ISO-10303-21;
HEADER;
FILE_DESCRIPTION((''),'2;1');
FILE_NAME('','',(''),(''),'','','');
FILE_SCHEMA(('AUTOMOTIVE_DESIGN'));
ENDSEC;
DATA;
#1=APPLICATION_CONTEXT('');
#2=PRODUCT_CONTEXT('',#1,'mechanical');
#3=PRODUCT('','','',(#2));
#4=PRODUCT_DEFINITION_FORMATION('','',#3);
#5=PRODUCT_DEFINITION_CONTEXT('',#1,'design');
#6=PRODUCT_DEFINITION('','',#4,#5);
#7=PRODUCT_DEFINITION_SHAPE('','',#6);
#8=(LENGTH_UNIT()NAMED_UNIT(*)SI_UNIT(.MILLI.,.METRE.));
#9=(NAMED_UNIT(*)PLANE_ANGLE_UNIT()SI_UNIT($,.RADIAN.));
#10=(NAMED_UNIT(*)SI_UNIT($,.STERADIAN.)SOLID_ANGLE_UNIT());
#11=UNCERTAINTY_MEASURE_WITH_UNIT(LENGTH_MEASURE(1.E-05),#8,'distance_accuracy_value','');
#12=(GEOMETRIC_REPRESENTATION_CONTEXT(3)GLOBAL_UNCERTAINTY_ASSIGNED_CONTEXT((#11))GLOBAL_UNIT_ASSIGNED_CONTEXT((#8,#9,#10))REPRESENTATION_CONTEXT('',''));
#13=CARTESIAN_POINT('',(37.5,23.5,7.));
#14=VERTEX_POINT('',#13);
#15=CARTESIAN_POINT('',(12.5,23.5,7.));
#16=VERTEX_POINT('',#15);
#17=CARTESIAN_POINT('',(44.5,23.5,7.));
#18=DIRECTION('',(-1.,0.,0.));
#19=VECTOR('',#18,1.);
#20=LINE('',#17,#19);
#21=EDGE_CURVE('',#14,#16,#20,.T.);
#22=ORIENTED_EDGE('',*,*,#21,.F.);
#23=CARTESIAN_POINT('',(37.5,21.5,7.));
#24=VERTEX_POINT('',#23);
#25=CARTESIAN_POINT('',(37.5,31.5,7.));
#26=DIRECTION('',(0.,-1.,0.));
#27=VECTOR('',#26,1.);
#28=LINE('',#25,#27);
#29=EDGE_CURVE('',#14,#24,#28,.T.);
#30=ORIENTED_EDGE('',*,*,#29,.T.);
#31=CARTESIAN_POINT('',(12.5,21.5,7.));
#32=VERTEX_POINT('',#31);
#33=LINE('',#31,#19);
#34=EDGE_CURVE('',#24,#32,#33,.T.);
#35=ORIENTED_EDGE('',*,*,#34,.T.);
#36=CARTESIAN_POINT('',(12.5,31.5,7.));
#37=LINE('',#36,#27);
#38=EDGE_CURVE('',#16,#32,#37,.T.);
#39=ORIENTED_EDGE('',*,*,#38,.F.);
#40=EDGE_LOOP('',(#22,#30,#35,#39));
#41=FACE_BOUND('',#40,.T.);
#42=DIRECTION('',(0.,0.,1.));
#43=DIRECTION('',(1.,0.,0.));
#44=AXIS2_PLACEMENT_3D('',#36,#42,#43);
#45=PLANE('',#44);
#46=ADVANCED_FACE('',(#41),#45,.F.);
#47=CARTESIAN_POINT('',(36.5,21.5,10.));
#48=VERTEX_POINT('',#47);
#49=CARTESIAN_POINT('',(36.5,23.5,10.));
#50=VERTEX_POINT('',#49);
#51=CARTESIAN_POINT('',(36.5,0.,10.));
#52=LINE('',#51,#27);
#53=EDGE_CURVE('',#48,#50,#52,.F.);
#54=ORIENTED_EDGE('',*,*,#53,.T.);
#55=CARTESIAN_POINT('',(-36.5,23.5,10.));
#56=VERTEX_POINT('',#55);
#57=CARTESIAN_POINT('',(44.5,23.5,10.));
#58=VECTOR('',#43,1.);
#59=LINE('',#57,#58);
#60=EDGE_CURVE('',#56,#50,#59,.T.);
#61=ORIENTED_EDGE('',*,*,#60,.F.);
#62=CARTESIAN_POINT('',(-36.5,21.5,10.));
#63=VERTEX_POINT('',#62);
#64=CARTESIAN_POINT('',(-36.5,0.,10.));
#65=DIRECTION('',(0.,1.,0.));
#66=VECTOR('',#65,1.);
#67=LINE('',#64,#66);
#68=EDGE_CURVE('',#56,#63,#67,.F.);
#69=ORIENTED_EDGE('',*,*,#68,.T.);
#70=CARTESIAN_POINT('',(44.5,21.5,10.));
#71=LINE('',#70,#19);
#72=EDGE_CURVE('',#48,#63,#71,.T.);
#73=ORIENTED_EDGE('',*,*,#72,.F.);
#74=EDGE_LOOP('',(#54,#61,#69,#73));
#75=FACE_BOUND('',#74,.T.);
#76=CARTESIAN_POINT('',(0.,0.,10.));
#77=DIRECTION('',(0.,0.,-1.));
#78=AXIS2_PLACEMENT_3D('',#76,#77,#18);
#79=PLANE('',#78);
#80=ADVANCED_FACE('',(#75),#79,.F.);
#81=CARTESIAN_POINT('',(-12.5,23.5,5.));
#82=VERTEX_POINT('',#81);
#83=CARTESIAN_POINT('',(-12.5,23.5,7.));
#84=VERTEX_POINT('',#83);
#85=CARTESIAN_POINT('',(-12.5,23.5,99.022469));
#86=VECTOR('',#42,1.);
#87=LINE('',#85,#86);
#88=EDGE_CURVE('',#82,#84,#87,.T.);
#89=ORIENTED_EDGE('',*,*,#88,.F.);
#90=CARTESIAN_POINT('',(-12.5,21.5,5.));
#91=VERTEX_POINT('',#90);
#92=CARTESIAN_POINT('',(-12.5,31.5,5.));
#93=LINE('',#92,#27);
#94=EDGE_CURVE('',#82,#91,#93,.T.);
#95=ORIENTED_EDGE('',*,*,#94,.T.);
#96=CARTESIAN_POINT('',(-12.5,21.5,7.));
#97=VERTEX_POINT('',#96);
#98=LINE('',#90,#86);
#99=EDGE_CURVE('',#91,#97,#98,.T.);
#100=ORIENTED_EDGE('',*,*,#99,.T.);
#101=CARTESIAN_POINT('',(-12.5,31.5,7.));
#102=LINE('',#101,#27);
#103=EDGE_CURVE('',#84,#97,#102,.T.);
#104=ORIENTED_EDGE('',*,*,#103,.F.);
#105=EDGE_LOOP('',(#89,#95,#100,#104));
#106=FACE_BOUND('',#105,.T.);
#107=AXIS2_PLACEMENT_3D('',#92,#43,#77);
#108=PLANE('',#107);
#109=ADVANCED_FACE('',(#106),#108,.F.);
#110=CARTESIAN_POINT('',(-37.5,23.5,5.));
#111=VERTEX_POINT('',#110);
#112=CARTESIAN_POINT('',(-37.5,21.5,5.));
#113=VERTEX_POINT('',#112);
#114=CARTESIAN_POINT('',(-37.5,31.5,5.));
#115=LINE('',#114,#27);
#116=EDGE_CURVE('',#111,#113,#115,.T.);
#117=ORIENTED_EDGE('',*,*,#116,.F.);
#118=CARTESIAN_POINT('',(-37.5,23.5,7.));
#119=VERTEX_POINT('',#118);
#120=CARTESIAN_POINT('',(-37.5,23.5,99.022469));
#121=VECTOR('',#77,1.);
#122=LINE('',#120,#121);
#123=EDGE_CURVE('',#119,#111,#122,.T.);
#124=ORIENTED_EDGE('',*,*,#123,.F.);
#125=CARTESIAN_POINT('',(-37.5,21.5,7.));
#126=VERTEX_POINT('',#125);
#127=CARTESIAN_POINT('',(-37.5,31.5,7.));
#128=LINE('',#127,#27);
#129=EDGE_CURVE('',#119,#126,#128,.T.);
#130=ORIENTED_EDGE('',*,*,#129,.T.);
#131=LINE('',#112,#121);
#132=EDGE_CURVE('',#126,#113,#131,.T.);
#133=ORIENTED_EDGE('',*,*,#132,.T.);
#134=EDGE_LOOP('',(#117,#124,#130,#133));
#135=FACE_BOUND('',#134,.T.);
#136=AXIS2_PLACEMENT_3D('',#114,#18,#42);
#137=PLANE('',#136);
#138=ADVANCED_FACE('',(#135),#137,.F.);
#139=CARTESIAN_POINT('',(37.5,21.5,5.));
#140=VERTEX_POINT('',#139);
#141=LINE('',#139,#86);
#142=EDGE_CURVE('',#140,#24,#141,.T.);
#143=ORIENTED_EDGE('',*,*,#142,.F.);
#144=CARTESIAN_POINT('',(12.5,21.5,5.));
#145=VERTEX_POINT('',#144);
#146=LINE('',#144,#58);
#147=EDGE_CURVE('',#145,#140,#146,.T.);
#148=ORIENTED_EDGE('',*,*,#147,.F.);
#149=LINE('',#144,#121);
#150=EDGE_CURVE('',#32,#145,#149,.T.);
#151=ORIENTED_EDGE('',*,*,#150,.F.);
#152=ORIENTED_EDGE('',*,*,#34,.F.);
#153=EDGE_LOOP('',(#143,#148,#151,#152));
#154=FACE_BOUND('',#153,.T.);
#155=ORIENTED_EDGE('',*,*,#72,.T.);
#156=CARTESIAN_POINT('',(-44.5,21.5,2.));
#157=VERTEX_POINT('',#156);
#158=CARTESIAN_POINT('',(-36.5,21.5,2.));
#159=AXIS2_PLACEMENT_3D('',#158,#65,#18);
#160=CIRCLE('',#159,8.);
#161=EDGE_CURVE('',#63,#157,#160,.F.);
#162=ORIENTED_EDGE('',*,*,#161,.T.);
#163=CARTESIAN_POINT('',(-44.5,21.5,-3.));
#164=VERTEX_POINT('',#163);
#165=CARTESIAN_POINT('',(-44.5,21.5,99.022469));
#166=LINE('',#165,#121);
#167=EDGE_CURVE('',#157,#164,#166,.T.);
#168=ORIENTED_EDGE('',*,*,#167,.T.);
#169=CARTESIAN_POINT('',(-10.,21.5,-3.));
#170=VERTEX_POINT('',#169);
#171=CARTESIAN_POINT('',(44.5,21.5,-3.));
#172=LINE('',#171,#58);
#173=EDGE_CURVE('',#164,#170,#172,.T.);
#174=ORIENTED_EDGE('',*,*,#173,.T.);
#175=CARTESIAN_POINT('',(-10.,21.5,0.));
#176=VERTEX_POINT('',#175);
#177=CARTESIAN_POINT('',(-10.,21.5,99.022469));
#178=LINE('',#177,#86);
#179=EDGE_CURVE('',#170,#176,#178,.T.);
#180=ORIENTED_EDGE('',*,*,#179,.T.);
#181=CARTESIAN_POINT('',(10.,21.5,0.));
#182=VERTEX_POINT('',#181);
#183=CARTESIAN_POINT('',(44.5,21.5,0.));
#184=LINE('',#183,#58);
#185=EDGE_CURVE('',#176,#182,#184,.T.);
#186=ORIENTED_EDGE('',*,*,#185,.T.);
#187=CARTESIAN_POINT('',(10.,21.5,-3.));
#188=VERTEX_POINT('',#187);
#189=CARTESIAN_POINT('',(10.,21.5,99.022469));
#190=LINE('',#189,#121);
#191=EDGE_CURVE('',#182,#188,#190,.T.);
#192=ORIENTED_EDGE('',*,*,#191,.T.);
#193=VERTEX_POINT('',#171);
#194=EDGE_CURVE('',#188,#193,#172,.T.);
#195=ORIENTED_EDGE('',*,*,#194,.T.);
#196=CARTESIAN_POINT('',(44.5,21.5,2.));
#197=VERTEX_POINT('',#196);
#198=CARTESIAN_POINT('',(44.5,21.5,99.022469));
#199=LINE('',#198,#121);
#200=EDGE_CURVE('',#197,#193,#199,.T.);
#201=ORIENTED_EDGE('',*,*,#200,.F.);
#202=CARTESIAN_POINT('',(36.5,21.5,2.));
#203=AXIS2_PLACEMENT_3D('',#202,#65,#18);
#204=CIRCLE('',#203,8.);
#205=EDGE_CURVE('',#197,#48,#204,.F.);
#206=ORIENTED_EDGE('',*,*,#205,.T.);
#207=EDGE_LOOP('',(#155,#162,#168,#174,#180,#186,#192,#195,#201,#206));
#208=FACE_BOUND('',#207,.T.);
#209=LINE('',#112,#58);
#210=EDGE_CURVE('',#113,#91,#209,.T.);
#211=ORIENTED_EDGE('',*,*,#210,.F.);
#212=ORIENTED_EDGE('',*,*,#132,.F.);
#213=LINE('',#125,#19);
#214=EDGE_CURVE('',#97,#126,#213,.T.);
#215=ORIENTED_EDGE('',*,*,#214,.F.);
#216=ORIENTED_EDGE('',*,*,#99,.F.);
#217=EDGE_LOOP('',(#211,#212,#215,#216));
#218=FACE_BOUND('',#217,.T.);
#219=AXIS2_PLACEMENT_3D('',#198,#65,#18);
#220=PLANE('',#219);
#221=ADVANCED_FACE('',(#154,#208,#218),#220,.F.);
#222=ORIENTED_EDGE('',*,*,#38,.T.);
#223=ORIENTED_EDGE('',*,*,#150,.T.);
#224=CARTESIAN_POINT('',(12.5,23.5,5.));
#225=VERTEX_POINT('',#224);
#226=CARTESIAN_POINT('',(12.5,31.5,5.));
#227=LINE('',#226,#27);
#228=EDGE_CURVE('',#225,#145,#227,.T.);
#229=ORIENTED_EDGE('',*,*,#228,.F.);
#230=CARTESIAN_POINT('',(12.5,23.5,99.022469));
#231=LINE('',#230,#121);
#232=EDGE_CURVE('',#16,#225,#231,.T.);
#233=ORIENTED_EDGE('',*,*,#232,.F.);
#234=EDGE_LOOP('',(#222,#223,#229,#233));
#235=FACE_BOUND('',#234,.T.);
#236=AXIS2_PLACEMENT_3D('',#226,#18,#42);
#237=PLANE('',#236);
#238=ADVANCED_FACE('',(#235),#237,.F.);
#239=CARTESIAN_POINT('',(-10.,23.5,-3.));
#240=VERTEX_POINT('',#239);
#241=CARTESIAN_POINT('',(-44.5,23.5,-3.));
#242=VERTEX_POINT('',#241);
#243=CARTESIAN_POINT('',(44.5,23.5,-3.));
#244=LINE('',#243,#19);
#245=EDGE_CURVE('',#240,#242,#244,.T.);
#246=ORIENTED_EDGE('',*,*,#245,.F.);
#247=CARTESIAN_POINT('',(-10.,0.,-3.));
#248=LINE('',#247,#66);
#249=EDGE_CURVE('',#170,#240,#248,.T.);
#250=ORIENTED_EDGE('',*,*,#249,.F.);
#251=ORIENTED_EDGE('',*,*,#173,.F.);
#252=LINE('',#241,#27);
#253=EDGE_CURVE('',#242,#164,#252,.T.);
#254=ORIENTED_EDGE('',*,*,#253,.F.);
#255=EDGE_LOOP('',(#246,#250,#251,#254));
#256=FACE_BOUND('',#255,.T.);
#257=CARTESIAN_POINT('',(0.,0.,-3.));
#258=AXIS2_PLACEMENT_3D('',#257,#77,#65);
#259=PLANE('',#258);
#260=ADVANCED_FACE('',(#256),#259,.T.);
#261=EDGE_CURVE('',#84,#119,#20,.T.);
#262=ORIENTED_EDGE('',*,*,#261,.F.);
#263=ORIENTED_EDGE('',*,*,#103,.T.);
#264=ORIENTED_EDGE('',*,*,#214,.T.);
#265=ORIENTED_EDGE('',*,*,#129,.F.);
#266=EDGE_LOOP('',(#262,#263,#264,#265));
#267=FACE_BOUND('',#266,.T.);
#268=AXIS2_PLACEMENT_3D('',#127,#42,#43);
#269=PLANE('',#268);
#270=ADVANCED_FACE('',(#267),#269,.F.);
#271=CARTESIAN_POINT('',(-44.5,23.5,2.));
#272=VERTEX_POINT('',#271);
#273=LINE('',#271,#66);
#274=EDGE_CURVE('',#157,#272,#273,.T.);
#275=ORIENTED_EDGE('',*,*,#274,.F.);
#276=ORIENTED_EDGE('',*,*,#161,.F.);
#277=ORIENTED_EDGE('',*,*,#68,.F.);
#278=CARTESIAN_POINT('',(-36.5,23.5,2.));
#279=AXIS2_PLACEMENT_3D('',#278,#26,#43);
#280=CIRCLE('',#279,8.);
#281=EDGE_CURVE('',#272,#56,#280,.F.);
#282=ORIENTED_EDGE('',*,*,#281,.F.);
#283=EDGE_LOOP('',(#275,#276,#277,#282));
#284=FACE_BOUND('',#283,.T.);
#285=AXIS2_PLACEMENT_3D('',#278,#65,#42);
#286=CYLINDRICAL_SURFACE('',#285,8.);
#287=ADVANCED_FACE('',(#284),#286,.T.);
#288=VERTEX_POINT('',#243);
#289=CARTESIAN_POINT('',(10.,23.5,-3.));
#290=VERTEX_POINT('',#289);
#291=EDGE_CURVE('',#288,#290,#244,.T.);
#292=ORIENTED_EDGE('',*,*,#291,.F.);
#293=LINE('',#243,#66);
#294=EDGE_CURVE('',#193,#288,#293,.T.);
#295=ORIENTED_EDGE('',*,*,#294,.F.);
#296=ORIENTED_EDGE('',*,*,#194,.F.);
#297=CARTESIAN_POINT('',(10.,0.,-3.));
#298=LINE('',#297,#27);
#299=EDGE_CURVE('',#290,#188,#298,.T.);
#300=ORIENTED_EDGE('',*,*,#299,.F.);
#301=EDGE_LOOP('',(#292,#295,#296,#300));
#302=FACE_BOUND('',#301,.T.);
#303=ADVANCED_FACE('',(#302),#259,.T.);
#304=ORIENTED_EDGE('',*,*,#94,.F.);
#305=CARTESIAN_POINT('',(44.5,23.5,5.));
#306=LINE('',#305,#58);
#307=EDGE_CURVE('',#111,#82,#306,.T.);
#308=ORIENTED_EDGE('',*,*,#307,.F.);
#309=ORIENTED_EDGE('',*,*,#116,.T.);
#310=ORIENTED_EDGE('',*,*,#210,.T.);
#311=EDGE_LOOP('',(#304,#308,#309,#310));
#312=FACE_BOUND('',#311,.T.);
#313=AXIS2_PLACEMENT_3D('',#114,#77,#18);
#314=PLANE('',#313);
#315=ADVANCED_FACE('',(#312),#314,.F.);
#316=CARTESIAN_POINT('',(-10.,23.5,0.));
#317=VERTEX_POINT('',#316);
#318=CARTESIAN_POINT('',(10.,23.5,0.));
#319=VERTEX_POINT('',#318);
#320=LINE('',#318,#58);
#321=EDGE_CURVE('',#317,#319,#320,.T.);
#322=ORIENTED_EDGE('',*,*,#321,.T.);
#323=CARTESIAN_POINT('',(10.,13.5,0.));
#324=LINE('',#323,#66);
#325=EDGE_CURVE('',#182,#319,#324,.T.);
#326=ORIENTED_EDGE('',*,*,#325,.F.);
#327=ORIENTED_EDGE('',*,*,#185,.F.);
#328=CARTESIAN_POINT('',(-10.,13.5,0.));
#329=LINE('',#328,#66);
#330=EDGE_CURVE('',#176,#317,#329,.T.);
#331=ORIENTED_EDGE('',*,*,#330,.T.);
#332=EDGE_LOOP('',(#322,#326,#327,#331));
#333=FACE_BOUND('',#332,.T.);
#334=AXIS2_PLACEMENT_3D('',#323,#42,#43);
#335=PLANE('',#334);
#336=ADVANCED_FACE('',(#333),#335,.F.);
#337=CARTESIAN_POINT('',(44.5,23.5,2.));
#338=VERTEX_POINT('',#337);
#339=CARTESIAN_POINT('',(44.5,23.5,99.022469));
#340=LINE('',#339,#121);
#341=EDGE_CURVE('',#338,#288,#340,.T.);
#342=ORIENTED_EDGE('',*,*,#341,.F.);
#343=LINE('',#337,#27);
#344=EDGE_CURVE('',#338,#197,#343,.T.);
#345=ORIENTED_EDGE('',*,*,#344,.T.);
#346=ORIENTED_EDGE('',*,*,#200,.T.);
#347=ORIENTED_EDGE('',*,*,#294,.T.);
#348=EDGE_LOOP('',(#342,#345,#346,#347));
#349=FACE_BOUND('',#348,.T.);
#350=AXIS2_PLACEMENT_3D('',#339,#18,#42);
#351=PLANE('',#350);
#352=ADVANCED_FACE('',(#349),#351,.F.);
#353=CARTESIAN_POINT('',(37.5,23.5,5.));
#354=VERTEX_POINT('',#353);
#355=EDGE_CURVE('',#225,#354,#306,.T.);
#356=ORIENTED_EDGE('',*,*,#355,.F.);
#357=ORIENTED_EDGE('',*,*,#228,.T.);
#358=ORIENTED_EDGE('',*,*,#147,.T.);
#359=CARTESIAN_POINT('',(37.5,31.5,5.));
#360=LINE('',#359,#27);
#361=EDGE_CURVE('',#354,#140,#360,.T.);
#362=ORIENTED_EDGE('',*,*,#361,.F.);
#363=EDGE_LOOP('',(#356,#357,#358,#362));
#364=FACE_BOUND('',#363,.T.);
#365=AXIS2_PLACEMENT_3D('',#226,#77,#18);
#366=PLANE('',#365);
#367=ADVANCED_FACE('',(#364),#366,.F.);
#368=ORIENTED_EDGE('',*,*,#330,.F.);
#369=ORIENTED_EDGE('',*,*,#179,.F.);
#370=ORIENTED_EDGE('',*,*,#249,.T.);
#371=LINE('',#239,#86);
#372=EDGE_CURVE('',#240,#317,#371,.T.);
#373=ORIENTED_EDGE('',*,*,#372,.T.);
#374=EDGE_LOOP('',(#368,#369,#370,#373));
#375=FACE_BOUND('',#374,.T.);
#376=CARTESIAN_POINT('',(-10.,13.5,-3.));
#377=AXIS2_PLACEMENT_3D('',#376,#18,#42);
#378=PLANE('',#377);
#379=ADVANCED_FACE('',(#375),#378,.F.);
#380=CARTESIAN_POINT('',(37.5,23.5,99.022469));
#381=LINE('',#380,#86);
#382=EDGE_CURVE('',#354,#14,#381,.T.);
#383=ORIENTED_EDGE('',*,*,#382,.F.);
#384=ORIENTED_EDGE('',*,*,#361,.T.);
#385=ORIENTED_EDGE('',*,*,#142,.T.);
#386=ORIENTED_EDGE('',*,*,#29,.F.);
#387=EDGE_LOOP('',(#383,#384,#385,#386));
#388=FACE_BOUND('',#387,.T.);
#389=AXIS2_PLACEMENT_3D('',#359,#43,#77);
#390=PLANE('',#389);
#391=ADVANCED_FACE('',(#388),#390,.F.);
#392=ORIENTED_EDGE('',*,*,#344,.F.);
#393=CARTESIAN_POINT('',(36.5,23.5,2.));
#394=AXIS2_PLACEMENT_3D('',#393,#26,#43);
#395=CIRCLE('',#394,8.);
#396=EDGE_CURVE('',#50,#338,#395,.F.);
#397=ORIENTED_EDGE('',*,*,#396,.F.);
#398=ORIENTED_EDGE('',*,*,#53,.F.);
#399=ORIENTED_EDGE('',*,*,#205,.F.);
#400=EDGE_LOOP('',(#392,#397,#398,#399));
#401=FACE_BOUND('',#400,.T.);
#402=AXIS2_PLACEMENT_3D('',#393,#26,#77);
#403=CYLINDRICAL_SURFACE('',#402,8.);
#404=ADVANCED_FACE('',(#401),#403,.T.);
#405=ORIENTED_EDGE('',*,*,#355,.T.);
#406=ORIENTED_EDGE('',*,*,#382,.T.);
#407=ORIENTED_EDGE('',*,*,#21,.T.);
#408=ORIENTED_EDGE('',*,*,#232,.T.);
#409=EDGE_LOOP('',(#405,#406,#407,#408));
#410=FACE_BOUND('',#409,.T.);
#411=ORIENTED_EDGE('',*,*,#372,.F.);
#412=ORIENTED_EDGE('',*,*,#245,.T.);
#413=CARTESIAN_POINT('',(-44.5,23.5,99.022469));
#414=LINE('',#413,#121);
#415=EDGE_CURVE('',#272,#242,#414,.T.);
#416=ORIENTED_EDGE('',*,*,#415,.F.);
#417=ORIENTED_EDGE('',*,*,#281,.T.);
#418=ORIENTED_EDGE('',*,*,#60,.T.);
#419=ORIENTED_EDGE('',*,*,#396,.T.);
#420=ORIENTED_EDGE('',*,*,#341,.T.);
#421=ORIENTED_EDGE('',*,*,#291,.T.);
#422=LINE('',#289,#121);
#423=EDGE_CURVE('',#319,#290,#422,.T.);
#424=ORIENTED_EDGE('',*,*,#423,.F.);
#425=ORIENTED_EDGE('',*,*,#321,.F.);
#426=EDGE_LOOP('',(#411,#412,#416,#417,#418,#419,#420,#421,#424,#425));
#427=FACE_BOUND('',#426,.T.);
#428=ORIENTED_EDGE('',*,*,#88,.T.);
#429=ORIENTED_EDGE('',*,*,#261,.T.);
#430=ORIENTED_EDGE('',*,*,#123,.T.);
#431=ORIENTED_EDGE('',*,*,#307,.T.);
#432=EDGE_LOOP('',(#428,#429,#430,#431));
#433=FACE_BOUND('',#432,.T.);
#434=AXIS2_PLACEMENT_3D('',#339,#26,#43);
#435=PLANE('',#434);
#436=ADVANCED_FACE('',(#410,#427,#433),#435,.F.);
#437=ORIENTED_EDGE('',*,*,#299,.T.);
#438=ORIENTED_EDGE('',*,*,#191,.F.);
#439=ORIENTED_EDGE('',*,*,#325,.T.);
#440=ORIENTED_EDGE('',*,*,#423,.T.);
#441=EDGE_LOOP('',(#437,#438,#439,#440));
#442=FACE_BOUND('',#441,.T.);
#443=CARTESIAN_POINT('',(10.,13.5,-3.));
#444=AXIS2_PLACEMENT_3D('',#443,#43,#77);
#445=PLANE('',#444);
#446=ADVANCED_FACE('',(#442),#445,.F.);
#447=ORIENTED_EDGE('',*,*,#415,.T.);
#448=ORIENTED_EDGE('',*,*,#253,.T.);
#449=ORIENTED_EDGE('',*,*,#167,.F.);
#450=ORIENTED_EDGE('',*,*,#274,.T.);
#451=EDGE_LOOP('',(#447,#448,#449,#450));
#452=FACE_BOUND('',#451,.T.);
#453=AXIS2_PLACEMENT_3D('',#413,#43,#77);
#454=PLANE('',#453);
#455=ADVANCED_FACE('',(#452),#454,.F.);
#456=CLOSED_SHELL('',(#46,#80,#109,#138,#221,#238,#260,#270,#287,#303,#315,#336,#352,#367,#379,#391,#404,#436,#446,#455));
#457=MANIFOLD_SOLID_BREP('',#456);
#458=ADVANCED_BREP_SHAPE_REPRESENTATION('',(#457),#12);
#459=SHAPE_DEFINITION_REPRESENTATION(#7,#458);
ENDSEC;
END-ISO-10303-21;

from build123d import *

# Parameters (mm, degrees)
ESTRUSIONE_ESTRUSIONE1_DEPTH      = 10
ESTRUSIONE_ESTRUSIONE1_DEPTH_BACK = 3
SCHIZZO1_W                        = 89
SCHIZZO1_H                        = 2
SCHIZZO2_W                        = 25
SCHIZZO2_H                        = 2
TAGLIO_ESTRUSIONE1_DEPTH          = 10
SCHIZZO3_W                        = 20
SCHIZZO3_H                        = 3
TAGLIO_ESTRUSIONE2_DEPTH          = 10
RACCORDO1_R                       = 8


with BuildPart() as part:
    # Schizzo1 → Estrusione-Estrusione1 (new, two sides: drawn at the far end of the back side and taken through both)
    with BuildSketch(Plane.XY.offset(-ESTRUSIONE_ESTRUSIONE1_DEPTH_BACK)):
        with Locations((0, 22.5)):
            Rectangle(SCHIZZO1_W, SCHIZZO1_H)
    extrude(amount=ESTRUSIONE_ESTRUSIONE1_DEPTH + ESTRUSIONE_ESTRUSIONE1_DEPTH_BACK)

    # Schizzo2 → Taglio-Estrusione1 (cut)
    with BuildSketch(Plane.XZ.offset(-21.5)):
        with Locations((-25, 6)):
            Rectangle(SCHIZZO2_W, SCHIZZO2_H)
        with Locations((25, 6)):
            Rectangle(SCHIZZO2_W, SCHIZZO2_H)
    extrude(amount=-TAGLIO_ESTRUSIONE1_DEPTH, mode=Mode.SUBTRACT)

    # Schizzo3 → Taglio-Estrusione2 (cut)
    with BuildSketch(Plane(origin=(0, 23.5, 0), x_dir=(1, 0, 0), z_dir=(0, 1, 0))):
        with Locations((0, 1.5)):
            Rectangle(SCHIZZO3_W, SCHIZZO3_H)
    extrude(amount=-TAGLIO_ESTRUSIONE2_DEPTH, mode=Mode.SUBTRACT)

    # Raccordo1
    raccordo1_edges = [part.edges().sort_by_distance(p)[0] for p in [
        (-44.5, 22.5, 10),
        (44.5, 22.5, 10),
    ]]
    fillet(raccordo1_edges, radius=RACCORDO1_R)


solid = part.part
